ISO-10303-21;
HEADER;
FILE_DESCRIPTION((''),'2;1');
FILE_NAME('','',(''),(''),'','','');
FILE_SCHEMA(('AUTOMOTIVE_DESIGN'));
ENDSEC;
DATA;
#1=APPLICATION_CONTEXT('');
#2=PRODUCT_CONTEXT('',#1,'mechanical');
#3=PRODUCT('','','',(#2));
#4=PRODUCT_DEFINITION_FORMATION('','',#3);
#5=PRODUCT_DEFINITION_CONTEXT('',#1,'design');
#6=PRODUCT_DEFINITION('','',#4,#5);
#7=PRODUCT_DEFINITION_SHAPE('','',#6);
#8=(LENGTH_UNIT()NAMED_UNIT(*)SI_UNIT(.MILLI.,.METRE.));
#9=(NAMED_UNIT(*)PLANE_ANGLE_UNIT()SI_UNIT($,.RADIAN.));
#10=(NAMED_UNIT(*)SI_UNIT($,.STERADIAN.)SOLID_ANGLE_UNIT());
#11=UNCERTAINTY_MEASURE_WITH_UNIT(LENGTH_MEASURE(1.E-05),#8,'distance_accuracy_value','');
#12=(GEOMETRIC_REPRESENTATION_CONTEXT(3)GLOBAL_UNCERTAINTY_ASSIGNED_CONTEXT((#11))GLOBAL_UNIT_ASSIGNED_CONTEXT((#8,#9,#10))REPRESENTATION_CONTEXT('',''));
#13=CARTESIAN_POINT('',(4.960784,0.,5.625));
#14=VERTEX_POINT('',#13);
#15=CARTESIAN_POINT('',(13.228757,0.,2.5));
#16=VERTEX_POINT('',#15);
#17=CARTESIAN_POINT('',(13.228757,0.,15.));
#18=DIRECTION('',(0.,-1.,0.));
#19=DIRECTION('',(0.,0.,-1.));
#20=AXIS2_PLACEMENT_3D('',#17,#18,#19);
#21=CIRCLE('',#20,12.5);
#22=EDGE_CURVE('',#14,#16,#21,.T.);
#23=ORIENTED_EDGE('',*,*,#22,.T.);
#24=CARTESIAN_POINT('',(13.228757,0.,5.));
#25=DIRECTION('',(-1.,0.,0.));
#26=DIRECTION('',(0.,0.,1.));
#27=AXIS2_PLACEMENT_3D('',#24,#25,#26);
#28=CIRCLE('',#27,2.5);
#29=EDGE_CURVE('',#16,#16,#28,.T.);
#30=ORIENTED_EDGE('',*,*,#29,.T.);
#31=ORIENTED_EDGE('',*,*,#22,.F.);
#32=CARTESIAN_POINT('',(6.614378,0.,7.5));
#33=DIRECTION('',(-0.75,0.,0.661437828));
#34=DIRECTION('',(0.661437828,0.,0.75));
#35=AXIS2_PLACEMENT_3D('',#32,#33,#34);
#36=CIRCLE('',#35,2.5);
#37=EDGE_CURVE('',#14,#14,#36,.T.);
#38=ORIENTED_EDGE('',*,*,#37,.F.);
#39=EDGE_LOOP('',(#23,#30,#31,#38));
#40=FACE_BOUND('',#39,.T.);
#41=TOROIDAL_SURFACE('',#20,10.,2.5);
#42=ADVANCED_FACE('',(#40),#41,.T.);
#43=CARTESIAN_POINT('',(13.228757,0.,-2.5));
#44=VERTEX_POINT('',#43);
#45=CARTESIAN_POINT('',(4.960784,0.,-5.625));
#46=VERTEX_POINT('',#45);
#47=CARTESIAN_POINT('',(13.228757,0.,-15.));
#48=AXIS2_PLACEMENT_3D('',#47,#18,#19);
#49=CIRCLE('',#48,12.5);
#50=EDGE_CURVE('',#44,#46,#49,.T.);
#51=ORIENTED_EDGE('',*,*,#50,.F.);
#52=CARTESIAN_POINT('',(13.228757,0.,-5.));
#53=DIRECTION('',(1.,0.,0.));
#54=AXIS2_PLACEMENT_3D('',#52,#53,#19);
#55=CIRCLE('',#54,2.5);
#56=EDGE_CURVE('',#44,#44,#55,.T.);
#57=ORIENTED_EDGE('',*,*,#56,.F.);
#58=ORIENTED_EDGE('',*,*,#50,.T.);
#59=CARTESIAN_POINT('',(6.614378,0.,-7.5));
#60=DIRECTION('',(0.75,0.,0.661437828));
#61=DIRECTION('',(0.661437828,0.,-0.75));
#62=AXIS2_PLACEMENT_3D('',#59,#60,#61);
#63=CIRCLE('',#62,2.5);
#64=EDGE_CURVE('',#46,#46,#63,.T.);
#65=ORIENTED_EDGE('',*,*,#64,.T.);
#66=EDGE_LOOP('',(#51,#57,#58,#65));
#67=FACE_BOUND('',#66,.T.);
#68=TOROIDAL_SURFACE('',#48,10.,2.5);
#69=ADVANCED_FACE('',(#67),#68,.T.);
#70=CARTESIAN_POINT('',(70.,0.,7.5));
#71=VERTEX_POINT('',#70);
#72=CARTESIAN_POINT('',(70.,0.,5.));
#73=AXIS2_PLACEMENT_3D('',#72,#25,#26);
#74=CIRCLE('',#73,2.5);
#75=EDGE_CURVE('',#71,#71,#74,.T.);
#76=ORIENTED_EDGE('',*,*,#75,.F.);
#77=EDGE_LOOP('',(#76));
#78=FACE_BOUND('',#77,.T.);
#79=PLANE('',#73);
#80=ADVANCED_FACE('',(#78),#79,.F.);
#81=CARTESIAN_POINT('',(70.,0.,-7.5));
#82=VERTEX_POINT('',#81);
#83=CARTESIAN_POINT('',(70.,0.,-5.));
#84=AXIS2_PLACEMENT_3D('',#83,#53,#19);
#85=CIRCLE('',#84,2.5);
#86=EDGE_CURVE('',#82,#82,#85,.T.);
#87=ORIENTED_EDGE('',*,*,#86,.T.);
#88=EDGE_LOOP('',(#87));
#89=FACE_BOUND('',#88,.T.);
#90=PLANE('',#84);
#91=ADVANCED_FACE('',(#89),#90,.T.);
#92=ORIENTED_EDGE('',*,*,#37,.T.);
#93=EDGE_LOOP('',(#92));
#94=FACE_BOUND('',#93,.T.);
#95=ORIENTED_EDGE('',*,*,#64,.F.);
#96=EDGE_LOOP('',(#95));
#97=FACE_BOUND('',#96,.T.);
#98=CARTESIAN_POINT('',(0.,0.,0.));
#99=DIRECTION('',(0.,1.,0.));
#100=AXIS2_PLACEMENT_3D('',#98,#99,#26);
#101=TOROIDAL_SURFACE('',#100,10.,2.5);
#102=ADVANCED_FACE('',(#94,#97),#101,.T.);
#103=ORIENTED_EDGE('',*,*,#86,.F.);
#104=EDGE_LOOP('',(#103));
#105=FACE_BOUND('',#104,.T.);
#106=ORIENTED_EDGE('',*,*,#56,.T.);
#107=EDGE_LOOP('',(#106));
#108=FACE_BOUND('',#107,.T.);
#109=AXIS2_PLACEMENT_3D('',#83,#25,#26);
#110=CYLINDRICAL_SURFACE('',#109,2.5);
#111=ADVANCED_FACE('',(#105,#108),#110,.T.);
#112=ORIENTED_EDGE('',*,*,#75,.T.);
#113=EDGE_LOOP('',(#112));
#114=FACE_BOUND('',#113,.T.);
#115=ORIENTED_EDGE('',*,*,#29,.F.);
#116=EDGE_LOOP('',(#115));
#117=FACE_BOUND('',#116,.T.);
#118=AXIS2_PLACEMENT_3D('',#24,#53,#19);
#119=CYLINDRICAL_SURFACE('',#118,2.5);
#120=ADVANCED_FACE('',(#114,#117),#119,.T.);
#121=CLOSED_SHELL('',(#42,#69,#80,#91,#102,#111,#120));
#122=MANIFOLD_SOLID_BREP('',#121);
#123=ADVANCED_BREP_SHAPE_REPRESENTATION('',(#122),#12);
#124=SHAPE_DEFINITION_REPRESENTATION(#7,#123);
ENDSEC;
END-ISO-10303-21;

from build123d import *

# Parameters (mm, degrees)
SKETCH_3_R = 2.5


with BuildPart() as part:
    # 扫描2: sweep along a path in 草图1
    with BuildLine(Plane(origin=(0, 0, 0), x_dir=(1, 0, 0), z_dir=(0, 1, 0))) as sweep_2_path:
        Line((70, 5), (13.228756555, 5))
        ThreePointArc((13.228756555, 5), (9.693222649, 5.645856533), (6.614378278, 7.5))
        ThreePointArc((6.614378278, 7.5), (-10, 0), (6.614378278, -7.5))
        ThreePointArc((6.614378278, -7.5), (9.693222649, -5.645856533), (13.228756555, -5))
        Line((13.228756555, -5), (70, -5))
    # 草图3 → 扫描2 (sweep)
    with BuildSketch(Plane(origin=(70, 0, 0), x_dir=(0, 0, -1), z_dir=(1, 0, 0))):
        with Locations((5, 0)):
            Circle(SKETCH_3_R)
    sweep(path=sweep_2_path.line)


solid = part.part
